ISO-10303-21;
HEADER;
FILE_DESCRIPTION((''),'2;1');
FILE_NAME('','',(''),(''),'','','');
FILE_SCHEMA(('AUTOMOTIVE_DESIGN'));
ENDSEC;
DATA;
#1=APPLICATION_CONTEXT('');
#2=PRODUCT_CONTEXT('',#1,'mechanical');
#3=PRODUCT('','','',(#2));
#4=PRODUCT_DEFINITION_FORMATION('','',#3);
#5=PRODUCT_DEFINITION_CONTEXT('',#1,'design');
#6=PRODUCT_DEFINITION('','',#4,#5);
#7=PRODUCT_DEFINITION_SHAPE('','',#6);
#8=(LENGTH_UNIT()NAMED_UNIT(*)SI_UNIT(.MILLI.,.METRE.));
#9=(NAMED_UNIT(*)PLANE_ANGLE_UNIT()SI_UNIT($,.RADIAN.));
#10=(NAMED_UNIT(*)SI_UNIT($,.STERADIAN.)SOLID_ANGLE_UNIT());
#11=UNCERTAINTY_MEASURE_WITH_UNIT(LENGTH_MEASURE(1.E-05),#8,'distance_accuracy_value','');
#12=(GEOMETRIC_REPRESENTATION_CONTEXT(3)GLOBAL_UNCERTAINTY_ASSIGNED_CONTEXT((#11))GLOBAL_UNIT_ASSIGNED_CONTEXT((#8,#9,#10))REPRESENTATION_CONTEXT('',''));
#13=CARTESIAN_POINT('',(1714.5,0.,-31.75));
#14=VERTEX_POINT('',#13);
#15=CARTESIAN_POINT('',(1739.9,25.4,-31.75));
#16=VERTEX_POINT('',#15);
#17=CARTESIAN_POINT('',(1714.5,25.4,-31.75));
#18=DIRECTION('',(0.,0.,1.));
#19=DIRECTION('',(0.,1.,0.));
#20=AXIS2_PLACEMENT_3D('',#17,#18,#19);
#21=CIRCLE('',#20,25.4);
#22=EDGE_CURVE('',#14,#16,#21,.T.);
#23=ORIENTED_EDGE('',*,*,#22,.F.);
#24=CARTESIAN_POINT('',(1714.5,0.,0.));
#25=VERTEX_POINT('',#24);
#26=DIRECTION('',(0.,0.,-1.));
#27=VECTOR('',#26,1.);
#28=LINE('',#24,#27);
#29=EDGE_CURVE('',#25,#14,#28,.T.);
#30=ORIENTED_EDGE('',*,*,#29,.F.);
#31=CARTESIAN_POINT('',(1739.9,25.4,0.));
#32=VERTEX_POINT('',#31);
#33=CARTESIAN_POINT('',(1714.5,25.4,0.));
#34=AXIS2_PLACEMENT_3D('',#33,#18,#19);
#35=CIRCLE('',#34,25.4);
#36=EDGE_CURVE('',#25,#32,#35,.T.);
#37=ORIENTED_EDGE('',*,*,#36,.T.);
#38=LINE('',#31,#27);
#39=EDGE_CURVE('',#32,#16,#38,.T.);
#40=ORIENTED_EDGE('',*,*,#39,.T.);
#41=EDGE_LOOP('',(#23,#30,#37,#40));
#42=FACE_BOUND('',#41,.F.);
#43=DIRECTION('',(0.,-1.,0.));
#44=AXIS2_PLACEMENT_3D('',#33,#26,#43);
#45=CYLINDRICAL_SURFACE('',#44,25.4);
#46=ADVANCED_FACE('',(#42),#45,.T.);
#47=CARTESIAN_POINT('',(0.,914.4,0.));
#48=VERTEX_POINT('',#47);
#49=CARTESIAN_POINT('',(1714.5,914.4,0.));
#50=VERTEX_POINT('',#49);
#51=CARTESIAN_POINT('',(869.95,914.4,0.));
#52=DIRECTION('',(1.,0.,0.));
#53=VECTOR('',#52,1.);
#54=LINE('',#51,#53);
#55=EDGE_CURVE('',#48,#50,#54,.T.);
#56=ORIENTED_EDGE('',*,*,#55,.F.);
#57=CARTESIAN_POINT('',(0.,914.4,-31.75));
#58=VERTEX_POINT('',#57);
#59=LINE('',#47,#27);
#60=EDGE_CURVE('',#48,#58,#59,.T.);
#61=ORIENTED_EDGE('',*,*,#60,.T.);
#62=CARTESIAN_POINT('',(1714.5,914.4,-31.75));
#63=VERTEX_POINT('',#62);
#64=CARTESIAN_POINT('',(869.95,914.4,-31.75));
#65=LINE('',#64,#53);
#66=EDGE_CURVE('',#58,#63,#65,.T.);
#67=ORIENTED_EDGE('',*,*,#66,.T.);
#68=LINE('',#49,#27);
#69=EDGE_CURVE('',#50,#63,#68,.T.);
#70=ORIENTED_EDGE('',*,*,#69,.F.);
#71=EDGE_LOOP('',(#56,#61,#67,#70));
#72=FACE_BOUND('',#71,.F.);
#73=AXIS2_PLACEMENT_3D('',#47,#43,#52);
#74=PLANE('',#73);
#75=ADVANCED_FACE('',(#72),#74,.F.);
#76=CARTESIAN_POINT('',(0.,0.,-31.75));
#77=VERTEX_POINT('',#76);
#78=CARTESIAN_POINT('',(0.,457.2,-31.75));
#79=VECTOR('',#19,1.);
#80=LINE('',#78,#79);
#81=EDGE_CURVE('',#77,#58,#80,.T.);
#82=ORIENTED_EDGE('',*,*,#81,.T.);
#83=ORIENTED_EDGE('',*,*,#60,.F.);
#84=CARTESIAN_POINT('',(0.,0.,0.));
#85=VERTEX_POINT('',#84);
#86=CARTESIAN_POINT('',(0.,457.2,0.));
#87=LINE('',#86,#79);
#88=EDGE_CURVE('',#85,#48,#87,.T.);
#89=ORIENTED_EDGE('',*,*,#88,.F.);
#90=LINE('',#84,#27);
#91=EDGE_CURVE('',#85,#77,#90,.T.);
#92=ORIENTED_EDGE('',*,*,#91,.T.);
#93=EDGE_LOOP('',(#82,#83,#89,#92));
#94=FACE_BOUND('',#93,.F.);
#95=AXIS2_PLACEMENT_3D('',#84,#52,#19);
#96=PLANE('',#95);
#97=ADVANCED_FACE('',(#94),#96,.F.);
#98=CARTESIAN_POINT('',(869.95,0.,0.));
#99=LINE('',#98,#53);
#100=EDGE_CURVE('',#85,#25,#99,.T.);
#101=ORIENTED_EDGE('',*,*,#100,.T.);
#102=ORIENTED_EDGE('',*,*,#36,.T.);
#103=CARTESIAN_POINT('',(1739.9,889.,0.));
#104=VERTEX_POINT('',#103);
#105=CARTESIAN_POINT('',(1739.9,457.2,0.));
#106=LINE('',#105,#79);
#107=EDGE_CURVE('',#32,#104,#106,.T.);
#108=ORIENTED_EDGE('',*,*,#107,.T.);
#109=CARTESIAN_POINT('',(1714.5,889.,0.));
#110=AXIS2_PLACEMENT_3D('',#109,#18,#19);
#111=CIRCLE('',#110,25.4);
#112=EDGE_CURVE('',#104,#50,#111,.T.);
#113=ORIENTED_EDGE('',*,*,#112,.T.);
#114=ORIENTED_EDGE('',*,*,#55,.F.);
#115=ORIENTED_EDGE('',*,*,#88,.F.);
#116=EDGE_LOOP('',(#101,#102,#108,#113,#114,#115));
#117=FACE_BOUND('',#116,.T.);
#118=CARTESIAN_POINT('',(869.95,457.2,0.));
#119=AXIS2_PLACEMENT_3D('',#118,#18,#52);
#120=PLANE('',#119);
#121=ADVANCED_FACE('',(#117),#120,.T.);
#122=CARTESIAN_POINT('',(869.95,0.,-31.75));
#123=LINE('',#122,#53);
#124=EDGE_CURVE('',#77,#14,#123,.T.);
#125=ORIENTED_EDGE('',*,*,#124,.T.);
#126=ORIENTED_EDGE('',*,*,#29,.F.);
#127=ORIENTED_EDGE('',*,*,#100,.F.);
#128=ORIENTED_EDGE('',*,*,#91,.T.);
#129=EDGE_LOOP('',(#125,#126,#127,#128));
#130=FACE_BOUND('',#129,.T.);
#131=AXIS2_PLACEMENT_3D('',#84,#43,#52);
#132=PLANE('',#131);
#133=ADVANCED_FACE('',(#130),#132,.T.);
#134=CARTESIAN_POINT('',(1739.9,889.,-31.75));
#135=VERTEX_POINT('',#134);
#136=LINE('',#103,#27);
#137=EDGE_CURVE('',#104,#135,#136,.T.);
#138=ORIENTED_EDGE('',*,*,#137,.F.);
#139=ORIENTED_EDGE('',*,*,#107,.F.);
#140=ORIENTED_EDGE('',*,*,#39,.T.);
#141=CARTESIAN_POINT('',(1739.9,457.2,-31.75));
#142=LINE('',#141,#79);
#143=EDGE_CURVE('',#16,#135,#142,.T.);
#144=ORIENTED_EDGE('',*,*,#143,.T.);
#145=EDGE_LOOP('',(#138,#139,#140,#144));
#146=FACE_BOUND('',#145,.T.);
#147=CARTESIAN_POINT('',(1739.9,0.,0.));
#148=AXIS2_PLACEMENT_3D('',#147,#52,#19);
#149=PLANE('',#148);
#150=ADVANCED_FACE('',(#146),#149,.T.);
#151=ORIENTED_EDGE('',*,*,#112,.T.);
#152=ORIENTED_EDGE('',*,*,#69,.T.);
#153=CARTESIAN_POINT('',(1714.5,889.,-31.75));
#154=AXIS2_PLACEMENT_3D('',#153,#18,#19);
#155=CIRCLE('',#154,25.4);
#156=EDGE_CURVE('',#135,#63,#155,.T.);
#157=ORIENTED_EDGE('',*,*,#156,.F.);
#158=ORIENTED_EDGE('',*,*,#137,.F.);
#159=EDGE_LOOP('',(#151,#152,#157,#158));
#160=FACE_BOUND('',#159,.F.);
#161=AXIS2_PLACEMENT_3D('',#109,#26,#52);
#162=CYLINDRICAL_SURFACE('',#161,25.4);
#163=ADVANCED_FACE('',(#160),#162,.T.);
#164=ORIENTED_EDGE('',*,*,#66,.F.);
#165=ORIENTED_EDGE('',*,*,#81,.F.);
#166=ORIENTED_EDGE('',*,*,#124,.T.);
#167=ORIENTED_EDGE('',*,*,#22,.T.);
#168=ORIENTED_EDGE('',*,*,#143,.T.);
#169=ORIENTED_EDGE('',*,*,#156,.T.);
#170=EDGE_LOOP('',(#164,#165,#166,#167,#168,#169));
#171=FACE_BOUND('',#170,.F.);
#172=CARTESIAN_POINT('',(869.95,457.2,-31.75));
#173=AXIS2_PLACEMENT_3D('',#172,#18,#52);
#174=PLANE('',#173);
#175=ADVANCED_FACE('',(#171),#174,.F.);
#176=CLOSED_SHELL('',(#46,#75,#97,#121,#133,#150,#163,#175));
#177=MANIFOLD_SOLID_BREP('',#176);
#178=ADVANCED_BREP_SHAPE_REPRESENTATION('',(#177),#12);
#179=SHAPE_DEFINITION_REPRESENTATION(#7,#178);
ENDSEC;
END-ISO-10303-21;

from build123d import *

# Parameters (mm, degrees)
F0_W     = 1739.9
F0_H     = 914.4
F1_DEPTH = 31.75
F2_R     = 25.4


with BuildPart() as f1:
    # F0 (on Top) → F1 (new body)
    with BuildSketch(Plane.XY):
        with Locations((869.95, 457.2)):
            Rectangle(F0_W, F0_H)
    extrude(amount=-F1_DEPTH)

    # F2
    f2_edges = [f1.edges().sort_by_distance(p)[0] for p in [
        (1739.9, 0, -15.875),
        (1739.9, 914.4, -15.875),
    ]]
    fillet(f2_edges, radius=F2_R)


solid = f1.part
